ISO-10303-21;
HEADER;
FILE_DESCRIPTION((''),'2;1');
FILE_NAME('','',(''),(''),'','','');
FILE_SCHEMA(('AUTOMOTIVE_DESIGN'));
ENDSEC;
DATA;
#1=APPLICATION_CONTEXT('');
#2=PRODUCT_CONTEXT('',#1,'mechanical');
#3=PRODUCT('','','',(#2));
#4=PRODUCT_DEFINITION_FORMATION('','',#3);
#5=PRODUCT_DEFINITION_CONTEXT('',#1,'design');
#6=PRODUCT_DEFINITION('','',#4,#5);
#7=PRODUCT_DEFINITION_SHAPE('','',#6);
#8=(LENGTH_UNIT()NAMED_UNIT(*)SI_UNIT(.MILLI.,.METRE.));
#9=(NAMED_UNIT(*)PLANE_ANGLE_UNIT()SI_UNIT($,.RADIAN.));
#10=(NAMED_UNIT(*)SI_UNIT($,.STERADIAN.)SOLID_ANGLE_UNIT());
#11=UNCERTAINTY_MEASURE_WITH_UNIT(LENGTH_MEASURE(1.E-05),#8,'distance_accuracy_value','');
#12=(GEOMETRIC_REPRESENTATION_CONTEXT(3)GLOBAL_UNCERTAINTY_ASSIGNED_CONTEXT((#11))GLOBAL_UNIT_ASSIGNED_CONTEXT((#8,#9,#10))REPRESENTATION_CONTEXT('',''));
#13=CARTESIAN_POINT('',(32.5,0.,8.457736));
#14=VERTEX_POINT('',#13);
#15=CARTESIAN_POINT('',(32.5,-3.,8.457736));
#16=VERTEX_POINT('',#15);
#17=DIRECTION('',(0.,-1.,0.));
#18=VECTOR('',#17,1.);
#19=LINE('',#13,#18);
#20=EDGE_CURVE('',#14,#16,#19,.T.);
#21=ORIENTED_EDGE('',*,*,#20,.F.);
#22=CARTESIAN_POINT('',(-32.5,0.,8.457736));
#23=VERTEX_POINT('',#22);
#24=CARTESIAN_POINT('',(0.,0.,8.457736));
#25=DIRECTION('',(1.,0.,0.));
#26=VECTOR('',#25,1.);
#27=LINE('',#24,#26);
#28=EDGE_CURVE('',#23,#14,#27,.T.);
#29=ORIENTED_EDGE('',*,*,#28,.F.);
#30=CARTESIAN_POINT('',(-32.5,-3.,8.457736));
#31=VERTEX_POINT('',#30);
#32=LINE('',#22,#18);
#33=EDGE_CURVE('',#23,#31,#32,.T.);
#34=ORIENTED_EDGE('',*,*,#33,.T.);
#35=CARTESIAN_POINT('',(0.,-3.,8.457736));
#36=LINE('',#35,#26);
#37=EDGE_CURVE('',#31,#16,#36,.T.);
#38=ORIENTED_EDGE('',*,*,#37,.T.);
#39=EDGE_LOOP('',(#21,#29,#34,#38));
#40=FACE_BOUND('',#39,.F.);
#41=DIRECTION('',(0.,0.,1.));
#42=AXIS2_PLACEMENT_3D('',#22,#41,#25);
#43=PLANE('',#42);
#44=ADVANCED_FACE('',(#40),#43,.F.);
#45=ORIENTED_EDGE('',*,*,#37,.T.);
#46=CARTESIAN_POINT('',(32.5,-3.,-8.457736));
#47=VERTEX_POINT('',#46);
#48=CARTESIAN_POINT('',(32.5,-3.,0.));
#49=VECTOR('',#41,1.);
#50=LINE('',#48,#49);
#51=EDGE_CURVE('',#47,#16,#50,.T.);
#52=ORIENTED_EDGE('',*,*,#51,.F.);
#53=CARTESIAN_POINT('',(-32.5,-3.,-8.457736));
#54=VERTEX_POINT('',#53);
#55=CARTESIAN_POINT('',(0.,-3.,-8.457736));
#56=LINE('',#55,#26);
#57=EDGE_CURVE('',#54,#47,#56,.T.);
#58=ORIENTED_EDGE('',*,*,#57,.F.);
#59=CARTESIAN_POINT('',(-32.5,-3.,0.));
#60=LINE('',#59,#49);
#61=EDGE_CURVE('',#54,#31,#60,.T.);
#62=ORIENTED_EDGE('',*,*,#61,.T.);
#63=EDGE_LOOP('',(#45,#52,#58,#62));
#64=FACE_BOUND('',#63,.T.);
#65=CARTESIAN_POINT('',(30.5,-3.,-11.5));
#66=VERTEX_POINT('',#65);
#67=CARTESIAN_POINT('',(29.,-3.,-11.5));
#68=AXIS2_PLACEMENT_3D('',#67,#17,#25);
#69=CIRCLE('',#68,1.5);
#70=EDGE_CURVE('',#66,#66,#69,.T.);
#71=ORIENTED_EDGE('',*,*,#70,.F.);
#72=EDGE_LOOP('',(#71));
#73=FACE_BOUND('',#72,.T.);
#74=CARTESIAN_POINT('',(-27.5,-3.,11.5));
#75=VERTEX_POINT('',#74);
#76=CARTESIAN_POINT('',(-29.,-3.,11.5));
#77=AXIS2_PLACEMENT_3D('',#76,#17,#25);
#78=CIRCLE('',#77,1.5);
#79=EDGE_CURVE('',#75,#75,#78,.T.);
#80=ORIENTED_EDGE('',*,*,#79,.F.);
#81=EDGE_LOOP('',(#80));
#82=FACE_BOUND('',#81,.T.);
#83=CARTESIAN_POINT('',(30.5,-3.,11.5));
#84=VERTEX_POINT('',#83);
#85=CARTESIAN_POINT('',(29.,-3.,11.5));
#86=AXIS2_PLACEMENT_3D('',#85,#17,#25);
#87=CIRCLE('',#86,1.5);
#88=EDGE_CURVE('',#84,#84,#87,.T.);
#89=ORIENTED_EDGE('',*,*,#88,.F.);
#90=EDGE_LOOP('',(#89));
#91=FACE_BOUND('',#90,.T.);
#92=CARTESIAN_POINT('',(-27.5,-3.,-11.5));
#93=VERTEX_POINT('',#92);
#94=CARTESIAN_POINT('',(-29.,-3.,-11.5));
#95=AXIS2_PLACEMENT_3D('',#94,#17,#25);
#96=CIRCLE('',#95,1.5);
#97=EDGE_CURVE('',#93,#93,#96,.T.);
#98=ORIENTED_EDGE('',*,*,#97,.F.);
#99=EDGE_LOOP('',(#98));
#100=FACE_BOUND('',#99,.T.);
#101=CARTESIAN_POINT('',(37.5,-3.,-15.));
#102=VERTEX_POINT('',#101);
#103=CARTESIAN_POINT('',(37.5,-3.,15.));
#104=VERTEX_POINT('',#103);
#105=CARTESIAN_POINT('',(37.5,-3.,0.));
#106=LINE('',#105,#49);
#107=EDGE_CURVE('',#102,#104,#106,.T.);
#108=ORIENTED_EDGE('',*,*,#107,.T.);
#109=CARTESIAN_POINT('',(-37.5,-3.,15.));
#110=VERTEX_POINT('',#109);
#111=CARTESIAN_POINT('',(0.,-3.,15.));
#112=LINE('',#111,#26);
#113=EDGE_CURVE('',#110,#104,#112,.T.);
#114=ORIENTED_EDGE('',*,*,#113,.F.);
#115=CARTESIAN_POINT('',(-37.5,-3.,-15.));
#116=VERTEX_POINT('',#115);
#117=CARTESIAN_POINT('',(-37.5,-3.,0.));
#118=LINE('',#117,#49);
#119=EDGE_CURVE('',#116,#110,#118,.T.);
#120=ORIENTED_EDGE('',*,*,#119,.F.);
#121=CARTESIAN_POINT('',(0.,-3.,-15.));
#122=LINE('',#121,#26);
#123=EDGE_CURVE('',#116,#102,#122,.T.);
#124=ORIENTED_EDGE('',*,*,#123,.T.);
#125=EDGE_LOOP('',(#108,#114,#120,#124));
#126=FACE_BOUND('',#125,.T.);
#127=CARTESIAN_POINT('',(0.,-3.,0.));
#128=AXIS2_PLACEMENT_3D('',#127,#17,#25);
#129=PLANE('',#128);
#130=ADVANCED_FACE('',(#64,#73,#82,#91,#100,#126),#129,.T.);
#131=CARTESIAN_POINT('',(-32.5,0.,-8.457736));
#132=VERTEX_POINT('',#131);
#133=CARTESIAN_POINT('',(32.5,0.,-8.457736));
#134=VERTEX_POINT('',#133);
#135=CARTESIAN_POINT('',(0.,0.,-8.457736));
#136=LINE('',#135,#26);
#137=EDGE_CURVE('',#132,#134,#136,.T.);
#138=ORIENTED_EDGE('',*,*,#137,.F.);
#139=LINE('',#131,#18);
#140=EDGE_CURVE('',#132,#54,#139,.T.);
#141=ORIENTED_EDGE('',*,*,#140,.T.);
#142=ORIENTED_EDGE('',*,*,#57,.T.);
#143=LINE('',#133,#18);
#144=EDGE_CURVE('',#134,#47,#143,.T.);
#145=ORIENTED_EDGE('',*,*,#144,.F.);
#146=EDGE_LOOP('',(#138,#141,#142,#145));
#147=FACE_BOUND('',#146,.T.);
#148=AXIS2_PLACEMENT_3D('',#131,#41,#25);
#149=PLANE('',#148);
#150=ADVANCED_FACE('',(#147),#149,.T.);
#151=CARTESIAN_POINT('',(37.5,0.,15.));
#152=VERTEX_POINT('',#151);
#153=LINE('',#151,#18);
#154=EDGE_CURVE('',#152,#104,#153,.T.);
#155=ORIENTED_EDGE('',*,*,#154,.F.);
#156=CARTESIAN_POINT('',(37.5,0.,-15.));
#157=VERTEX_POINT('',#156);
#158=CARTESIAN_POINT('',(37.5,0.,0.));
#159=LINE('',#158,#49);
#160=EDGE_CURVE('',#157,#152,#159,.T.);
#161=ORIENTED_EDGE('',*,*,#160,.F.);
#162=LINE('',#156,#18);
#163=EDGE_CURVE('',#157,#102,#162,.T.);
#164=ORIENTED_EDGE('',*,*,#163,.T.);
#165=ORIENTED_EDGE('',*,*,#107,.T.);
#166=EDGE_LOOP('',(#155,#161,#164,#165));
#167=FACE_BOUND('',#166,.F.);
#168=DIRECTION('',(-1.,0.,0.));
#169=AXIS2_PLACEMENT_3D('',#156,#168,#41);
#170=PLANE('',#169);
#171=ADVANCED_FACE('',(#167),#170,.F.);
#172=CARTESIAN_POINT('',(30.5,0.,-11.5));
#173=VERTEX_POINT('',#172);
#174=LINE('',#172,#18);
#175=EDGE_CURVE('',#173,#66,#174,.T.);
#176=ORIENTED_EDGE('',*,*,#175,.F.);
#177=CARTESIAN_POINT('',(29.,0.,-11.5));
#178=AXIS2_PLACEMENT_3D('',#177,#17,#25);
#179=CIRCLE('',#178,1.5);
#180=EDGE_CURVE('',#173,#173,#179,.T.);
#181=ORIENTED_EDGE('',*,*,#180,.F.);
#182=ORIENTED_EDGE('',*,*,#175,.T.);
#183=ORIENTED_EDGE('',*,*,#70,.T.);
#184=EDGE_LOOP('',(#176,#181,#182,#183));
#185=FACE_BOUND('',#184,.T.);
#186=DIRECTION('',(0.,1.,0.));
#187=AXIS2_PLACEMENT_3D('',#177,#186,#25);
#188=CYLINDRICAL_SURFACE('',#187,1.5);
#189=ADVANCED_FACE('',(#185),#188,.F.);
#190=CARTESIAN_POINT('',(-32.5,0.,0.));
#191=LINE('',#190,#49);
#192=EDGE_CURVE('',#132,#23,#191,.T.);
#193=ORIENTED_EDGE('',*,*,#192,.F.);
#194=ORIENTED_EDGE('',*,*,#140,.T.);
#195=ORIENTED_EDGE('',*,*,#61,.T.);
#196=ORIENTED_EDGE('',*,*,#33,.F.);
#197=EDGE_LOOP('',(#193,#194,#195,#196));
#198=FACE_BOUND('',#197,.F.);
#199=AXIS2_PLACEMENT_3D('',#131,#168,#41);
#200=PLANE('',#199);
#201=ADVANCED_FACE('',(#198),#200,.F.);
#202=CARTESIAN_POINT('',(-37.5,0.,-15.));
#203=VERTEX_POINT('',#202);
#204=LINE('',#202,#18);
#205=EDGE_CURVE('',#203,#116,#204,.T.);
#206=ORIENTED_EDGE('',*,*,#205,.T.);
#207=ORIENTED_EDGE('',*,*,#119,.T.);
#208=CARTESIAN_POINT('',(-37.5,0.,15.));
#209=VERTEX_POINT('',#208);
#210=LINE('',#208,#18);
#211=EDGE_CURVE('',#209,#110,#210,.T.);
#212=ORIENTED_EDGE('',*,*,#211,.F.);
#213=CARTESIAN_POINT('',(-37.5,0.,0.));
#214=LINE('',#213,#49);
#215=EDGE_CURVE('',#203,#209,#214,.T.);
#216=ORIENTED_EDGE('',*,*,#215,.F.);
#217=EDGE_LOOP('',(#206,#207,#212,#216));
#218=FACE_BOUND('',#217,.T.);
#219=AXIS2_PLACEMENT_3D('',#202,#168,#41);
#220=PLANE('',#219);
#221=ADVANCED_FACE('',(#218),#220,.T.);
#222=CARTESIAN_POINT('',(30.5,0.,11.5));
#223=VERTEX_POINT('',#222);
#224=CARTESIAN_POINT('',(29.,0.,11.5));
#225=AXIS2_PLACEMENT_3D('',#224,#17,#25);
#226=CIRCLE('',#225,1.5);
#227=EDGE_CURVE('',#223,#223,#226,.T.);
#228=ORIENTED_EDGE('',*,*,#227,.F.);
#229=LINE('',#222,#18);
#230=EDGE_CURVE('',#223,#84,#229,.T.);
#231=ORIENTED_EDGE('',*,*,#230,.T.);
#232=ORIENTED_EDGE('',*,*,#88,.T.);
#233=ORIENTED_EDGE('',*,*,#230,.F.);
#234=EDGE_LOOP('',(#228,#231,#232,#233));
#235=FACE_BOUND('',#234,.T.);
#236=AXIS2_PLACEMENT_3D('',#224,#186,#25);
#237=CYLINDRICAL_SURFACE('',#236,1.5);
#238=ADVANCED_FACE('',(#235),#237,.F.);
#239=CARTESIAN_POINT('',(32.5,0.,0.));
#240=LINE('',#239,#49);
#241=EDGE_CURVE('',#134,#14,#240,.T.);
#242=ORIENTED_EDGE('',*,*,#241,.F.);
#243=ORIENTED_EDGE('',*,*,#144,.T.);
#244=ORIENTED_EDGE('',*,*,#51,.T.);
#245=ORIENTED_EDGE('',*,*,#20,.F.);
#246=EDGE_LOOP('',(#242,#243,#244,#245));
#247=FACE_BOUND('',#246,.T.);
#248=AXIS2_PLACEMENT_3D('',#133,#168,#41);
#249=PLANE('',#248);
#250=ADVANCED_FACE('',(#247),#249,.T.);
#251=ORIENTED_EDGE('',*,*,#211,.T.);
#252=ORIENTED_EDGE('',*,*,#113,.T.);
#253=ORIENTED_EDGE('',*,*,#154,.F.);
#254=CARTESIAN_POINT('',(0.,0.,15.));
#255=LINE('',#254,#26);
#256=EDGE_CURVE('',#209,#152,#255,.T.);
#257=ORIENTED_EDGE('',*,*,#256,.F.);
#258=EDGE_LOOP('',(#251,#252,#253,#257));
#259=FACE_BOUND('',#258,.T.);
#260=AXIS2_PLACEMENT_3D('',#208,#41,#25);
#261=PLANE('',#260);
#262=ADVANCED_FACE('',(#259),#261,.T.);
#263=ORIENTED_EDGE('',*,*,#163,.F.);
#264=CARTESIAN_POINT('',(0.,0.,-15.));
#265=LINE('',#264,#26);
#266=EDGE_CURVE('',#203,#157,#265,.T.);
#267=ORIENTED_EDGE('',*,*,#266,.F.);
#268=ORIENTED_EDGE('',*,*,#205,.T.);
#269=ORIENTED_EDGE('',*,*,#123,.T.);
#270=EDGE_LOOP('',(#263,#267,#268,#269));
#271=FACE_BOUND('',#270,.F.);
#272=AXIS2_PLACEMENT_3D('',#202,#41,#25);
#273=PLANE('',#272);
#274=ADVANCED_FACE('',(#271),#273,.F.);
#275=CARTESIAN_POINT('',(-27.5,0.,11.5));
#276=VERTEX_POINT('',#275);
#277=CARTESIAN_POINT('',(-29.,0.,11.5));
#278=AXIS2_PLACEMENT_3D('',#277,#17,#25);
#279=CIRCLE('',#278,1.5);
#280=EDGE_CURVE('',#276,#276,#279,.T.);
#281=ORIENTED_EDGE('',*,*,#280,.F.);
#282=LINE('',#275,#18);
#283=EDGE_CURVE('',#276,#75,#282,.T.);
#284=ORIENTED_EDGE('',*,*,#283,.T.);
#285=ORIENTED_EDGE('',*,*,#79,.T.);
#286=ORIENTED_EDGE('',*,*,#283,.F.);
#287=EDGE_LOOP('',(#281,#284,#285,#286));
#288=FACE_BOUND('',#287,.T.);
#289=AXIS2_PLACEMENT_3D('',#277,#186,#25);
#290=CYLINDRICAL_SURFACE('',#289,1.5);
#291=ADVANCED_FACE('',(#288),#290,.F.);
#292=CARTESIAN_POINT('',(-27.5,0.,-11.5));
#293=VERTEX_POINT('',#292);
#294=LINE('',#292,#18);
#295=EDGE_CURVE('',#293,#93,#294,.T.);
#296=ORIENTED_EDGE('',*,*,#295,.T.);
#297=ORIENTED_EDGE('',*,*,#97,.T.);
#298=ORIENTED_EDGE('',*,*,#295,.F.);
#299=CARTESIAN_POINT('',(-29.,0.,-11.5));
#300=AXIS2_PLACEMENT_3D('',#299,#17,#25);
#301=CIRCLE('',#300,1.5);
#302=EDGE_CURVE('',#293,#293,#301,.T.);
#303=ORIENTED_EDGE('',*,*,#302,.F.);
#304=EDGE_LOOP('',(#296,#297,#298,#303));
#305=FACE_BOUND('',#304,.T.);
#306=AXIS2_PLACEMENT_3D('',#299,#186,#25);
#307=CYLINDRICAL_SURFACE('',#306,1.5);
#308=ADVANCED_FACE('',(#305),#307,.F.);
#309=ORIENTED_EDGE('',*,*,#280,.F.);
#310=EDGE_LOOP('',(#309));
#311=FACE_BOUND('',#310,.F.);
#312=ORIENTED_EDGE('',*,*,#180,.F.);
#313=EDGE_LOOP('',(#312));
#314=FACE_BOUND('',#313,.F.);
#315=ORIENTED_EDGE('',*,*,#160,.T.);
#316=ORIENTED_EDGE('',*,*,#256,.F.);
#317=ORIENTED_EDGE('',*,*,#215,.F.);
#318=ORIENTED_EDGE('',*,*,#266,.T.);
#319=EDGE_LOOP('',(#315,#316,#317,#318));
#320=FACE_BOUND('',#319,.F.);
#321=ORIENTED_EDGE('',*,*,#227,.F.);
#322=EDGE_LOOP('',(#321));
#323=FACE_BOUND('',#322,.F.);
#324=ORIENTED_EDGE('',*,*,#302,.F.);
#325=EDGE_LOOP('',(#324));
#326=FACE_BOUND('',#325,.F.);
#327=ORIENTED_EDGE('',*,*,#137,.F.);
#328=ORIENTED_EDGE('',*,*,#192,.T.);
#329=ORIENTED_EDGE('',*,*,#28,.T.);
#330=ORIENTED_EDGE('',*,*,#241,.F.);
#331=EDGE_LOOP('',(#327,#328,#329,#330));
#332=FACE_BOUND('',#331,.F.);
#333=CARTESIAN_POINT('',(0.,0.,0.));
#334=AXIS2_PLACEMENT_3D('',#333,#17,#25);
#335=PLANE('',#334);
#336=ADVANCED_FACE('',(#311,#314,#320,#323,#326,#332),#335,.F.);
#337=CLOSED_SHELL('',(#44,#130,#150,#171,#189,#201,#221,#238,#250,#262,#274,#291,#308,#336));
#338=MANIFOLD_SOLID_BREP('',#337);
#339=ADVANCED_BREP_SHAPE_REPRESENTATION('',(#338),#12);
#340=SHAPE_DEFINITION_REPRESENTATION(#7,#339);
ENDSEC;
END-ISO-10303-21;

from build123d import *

# Parameters (mm, degrees)
F0_W     = 75
F0_H     = 30
F0_R     = 1.5
F0_W_2   = 65
F0_H_2   = 16.915472
F1_DEPTH = 3


with BuildPart() as f1:
    # F0 (on Front) → F1 (new body)
    with BuildSketch(Plane.XZ):
        Rectangle(F0_W, F0_H)
        with Locations((-29, -11.5)):
            Circle(F0_R, mode=Mode.SUBTRACT)
        with Locations((29, -11.5)):
            Circle(F0_R, mode=Mode.SUBTRACT)
        with Locations((-29, 11.5)):
            Circle(F0_R, mode=Mode.SUBTRACT)
        Rectangle(F0_W_2, F0_H_2, mode=Mode.SUBTRACT)
        with Locations((29, 11.5)):
            Circle(F0_R, mode=Mode.SUBTRACT)
    extrude(amount=F1_DEPTH)


solid = f1.part
